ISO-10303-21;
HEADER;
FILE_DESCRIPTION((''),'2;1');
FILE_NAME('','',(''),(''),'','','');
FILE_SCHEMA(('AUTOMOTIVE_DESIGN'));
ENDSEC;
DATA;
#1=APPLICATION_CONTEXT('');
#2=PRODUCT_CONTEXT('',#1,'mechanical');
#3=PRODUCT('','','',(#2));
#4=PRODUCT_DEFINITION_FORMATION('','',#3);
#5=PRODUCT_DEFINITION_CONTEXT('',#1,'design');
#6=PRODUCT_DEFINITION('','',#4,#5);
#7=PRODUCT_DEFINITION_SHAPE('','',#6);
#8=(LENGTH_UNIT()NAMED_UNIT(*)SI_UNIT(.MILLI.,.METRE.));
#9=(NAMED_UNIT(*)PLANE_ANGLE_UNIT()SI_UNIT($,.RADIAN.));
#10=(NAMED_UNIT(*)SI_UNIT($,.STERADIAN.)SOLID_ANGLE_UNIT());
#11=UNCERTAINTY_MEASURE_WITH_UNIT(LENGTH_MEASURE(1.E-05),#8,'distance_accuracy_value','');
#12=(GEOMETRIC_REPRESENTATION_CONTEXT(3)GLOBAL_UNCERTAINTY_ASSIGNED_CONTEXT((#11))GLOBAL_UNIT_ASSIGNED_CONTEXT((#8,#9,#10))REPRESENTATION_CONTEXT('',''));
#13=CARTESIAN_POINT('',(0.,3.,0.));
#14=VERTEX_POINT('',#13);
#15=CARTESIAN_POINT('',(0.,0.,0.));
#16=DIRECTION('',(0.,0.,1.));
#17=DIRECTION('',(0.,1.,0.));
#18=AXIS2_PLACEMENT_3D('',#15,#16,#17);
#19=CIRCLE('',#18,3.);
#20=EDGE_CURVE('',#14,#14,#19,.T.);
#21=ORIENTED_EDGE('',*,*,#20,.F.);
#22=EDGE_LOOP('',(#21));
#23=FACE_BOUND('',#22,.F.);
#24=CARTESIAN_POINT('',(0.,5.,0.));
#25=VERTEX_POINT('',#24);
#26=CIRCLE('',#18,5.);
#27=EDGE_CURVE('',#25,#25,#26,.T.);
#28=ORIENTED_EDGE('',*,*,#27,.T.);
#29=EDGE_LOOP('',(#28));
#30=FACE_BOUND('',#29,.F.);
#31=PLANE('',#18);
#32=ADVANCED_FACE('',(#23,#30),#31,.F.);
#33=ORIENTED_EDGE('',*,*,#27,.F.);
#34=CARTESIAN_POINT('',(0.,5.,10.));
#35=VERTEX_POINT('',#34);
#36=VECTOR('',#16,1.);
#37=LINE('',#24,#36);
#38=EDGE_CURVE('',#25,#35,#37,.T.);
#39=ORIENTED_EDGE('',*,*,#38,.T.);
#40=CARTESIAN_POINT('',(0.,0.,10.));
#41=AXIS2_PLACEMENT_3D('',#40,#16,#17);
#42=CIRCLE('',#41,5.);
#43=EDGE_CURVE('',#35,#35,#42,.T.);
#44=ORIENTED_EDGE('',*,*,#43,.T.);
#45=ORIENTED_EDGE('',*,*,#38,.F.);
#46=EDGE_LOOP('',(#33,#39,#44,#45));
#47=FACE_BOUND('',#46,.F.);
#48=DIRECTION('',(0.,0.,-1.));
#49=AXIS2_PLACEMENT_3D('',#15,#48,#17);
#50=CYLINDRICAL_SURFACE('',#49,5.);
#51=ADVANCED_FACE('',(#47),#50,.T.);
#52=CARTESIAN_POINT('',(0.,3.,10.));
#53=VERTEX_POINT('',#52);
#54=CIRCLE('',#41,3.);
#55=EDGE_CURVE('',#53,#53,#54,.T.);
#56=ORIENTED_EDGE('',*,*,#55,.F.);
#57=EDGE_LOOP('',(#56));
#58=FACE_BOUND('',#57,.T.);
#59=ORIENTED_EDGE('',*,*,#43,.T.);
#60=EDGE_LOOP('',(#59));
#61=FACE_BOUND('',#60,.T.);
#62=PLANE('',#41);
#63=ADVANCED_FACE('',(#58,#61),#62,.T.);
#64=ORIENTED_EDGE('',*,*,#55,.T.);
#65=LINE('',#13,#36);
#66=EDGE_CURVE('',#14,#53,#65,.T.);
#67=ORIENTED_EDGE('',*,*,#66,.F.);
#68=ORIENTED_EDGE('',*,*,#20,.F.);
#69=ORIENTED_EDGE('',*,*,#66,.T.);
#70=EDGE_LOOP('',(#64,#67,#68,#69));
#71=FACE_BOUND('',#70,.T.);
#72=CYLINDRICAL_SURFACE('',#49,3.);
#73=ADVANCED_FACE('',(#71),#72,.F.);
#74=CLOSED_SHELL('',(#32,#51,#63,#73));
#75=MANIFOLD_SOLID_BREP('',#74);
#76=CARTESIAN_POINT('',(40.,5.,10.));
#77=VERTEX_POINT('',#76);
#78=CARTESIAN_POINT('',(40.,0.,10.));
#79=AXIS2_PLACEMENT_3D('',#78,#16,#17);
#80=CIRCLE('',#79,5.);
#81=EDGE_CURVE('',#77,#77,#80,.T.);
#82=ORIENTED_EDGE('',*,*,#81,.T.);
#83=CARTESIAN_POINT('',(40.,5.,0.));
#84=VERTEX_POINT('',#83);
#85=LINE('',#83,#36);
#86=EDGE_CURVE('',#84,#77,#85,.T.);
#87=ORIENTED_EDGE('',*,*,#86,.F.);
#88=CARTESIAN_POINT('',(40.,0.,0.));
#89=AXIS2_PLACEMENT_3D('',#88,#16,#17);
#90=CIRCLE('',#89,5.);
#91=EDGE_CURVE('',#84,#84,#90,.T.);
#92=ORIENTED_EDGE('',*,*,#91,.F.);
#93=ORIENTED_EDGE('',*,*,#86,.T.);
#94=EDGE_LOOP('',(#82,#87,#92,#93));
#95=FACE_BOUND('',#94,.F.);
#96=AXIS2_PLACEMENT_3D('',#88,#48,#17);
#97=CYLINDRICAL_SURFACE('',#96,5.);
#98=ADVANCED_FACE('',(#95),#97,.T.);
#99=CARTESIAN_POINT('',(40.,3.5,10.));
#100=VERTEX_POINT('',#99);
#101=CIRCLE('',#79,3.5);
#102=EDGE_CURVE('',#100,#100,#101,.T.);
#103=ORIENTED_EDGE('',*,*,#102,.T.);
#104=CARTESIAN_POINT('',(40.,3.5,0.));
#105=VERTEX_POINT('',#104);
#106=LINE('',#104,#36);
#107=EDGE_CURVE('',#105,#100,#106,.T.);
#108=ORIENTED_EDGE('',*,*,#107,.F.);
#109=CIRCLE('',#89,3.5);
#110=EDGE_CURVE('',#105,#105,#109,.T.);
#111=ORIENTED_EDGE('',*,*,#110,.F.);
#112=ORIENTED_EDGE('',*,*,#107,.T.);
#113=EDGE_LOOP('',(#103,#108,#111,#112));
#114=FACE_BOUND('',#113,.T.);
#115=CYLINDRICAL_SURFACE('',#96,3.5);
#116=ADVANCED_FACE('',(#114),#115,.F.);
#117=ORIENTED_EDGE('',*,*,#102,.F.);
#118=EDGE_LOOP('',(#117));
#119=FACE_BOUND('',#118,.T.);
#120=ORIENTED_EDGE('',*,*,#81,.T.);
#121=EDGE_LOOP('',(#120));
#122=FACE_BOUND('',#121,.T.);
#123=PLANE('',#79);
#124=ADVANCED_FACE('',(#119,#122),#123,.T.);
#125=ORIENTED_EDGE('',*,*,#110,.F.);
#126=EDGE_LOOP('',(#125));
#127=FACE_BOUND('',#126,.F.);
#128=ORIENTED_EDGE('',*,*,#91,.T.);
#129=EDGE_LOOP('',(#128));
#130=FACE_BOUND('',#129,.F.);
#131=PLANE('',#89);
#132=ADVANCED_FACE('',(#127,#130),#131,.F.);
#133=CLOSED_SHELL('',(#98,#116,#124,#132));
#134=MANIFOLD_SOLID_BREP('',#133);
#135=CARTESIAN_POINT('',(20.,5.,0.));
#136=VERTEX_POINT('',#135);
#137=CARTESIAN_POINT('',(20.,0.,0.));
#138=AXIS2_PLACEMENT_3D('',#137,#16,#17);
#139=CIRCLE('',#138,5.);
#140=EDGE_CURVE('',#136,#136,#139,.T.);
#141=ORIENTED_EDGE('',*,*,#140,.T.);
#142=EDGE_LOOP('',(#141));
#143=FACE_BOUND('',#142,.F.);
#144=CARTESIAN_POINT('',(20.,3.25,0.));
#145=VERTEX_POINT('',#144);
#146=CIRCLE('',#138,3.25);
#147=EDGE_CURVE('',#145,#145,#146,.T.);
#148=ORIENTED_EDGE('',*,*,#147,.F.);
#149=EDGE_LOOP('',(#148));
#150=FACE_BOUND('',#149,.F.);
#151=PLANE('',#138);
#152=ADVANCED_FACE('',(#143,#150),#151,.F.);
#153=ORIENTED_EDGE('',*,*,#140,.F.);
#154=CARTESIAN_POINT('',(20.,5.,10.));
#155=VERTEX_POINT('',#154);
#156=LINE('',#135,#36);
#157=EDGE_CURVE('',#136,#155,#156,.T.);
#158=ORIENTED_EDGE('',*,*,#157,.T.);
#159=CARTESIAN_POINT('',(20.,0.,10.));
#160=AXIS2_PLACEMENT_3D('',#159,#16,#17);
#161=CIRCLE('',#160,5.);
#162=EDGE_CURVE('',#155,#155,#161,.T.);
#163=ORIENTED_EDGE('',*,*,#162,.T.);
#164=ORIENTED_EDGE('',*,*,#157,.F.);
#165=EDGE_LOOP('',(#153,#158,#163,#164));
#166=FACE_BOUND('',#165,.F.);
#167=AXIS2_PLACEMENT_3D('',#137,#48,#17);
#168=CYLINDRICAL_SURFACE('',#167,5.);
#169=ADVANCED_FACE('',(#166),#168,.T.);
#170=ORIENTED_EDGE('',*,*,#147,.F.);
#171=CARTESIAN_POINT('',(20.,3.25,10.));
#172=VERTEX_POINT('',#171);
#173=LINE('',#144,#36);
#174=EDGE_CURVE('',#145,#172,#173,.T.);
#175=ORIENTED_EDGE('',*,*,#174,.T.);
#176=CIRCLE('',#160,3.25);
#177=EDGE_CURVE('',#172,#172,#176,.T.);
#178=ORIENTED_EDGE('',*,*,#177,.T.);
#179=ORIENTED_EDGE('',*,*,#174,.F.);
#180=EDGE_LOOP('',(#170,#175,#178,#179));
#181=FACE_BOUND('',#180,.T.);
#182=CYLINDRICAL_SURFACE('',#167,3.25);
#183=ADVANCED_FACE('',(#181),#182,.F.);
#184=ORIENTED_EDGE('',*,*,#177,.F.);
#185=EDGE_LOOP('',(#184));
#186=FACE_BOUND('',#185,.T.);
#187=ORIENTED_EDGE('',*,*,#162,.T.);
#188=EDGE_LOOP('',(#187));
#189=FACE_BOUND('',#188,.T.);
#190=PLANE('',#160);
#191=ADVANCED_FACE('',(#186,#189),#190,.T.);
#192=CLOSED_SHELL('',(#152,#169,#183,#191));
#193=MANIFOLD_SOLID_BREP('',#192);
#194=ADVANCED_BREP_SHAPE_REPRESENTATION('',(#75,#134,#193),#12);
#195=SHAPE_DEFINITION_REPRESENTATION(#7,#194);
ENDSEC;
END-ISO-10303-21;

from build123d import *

# Parameters (mm, degrees)
FACE_R           = 5
FACE_R_2         = 3
EXTRUDE_DEPTH    = 10
FACE001_R        = 5
FACE001_R_2      = 3.5
EXTRUDE001_DEPTH = 10
FACE002_R        = 5
FACE002_R_2      = 3.25
EXTRUDE002_DEPTH = 10


with BuildPart() as extrude_body:
    # Face → Extrude (new body)
    with BuildSketch(Plane(origin=(0, 0, 0), x_dir=(0, 1, 0), z_dir=(0, 0, 1))):
        Circle(FACE_R)
        Circle(FACE_R_2, mode=Mode.SUBTRACT)
    extrude(amount=EXTRUDE_DEPTH)


with BuildPart() as extrude001:
    # Face001 → Extrude001 (new body)
    with BuildSketch(Plane(origin=(40, 0, 0), x_dir=(0, 1, 0), z_dir=(0, 0, 1))):
        Circle(FACE001_R)
        Circle(FACE001_R_2, mode=Mode.SUBTRACT)
    extrude(amount=EXTRUDE001_DEPTH)


with BuildPart() as extrude002:
    # Face002 → Extrude002 (new body)
    with BuildSketch(Plane(origin=(20, 0, 0), x_dir=(0, 1, 0), z_dir=(0, 0, 1))):
        Circle(FACE002_R)
        Circle(FACE002_R_2, mode=Mode.SUBTRACT)
    extrude(amount=EXTRUDE002_DEPTH)


solid = Compound([extrude_body.part, extrude001.part, extrude002.part])
